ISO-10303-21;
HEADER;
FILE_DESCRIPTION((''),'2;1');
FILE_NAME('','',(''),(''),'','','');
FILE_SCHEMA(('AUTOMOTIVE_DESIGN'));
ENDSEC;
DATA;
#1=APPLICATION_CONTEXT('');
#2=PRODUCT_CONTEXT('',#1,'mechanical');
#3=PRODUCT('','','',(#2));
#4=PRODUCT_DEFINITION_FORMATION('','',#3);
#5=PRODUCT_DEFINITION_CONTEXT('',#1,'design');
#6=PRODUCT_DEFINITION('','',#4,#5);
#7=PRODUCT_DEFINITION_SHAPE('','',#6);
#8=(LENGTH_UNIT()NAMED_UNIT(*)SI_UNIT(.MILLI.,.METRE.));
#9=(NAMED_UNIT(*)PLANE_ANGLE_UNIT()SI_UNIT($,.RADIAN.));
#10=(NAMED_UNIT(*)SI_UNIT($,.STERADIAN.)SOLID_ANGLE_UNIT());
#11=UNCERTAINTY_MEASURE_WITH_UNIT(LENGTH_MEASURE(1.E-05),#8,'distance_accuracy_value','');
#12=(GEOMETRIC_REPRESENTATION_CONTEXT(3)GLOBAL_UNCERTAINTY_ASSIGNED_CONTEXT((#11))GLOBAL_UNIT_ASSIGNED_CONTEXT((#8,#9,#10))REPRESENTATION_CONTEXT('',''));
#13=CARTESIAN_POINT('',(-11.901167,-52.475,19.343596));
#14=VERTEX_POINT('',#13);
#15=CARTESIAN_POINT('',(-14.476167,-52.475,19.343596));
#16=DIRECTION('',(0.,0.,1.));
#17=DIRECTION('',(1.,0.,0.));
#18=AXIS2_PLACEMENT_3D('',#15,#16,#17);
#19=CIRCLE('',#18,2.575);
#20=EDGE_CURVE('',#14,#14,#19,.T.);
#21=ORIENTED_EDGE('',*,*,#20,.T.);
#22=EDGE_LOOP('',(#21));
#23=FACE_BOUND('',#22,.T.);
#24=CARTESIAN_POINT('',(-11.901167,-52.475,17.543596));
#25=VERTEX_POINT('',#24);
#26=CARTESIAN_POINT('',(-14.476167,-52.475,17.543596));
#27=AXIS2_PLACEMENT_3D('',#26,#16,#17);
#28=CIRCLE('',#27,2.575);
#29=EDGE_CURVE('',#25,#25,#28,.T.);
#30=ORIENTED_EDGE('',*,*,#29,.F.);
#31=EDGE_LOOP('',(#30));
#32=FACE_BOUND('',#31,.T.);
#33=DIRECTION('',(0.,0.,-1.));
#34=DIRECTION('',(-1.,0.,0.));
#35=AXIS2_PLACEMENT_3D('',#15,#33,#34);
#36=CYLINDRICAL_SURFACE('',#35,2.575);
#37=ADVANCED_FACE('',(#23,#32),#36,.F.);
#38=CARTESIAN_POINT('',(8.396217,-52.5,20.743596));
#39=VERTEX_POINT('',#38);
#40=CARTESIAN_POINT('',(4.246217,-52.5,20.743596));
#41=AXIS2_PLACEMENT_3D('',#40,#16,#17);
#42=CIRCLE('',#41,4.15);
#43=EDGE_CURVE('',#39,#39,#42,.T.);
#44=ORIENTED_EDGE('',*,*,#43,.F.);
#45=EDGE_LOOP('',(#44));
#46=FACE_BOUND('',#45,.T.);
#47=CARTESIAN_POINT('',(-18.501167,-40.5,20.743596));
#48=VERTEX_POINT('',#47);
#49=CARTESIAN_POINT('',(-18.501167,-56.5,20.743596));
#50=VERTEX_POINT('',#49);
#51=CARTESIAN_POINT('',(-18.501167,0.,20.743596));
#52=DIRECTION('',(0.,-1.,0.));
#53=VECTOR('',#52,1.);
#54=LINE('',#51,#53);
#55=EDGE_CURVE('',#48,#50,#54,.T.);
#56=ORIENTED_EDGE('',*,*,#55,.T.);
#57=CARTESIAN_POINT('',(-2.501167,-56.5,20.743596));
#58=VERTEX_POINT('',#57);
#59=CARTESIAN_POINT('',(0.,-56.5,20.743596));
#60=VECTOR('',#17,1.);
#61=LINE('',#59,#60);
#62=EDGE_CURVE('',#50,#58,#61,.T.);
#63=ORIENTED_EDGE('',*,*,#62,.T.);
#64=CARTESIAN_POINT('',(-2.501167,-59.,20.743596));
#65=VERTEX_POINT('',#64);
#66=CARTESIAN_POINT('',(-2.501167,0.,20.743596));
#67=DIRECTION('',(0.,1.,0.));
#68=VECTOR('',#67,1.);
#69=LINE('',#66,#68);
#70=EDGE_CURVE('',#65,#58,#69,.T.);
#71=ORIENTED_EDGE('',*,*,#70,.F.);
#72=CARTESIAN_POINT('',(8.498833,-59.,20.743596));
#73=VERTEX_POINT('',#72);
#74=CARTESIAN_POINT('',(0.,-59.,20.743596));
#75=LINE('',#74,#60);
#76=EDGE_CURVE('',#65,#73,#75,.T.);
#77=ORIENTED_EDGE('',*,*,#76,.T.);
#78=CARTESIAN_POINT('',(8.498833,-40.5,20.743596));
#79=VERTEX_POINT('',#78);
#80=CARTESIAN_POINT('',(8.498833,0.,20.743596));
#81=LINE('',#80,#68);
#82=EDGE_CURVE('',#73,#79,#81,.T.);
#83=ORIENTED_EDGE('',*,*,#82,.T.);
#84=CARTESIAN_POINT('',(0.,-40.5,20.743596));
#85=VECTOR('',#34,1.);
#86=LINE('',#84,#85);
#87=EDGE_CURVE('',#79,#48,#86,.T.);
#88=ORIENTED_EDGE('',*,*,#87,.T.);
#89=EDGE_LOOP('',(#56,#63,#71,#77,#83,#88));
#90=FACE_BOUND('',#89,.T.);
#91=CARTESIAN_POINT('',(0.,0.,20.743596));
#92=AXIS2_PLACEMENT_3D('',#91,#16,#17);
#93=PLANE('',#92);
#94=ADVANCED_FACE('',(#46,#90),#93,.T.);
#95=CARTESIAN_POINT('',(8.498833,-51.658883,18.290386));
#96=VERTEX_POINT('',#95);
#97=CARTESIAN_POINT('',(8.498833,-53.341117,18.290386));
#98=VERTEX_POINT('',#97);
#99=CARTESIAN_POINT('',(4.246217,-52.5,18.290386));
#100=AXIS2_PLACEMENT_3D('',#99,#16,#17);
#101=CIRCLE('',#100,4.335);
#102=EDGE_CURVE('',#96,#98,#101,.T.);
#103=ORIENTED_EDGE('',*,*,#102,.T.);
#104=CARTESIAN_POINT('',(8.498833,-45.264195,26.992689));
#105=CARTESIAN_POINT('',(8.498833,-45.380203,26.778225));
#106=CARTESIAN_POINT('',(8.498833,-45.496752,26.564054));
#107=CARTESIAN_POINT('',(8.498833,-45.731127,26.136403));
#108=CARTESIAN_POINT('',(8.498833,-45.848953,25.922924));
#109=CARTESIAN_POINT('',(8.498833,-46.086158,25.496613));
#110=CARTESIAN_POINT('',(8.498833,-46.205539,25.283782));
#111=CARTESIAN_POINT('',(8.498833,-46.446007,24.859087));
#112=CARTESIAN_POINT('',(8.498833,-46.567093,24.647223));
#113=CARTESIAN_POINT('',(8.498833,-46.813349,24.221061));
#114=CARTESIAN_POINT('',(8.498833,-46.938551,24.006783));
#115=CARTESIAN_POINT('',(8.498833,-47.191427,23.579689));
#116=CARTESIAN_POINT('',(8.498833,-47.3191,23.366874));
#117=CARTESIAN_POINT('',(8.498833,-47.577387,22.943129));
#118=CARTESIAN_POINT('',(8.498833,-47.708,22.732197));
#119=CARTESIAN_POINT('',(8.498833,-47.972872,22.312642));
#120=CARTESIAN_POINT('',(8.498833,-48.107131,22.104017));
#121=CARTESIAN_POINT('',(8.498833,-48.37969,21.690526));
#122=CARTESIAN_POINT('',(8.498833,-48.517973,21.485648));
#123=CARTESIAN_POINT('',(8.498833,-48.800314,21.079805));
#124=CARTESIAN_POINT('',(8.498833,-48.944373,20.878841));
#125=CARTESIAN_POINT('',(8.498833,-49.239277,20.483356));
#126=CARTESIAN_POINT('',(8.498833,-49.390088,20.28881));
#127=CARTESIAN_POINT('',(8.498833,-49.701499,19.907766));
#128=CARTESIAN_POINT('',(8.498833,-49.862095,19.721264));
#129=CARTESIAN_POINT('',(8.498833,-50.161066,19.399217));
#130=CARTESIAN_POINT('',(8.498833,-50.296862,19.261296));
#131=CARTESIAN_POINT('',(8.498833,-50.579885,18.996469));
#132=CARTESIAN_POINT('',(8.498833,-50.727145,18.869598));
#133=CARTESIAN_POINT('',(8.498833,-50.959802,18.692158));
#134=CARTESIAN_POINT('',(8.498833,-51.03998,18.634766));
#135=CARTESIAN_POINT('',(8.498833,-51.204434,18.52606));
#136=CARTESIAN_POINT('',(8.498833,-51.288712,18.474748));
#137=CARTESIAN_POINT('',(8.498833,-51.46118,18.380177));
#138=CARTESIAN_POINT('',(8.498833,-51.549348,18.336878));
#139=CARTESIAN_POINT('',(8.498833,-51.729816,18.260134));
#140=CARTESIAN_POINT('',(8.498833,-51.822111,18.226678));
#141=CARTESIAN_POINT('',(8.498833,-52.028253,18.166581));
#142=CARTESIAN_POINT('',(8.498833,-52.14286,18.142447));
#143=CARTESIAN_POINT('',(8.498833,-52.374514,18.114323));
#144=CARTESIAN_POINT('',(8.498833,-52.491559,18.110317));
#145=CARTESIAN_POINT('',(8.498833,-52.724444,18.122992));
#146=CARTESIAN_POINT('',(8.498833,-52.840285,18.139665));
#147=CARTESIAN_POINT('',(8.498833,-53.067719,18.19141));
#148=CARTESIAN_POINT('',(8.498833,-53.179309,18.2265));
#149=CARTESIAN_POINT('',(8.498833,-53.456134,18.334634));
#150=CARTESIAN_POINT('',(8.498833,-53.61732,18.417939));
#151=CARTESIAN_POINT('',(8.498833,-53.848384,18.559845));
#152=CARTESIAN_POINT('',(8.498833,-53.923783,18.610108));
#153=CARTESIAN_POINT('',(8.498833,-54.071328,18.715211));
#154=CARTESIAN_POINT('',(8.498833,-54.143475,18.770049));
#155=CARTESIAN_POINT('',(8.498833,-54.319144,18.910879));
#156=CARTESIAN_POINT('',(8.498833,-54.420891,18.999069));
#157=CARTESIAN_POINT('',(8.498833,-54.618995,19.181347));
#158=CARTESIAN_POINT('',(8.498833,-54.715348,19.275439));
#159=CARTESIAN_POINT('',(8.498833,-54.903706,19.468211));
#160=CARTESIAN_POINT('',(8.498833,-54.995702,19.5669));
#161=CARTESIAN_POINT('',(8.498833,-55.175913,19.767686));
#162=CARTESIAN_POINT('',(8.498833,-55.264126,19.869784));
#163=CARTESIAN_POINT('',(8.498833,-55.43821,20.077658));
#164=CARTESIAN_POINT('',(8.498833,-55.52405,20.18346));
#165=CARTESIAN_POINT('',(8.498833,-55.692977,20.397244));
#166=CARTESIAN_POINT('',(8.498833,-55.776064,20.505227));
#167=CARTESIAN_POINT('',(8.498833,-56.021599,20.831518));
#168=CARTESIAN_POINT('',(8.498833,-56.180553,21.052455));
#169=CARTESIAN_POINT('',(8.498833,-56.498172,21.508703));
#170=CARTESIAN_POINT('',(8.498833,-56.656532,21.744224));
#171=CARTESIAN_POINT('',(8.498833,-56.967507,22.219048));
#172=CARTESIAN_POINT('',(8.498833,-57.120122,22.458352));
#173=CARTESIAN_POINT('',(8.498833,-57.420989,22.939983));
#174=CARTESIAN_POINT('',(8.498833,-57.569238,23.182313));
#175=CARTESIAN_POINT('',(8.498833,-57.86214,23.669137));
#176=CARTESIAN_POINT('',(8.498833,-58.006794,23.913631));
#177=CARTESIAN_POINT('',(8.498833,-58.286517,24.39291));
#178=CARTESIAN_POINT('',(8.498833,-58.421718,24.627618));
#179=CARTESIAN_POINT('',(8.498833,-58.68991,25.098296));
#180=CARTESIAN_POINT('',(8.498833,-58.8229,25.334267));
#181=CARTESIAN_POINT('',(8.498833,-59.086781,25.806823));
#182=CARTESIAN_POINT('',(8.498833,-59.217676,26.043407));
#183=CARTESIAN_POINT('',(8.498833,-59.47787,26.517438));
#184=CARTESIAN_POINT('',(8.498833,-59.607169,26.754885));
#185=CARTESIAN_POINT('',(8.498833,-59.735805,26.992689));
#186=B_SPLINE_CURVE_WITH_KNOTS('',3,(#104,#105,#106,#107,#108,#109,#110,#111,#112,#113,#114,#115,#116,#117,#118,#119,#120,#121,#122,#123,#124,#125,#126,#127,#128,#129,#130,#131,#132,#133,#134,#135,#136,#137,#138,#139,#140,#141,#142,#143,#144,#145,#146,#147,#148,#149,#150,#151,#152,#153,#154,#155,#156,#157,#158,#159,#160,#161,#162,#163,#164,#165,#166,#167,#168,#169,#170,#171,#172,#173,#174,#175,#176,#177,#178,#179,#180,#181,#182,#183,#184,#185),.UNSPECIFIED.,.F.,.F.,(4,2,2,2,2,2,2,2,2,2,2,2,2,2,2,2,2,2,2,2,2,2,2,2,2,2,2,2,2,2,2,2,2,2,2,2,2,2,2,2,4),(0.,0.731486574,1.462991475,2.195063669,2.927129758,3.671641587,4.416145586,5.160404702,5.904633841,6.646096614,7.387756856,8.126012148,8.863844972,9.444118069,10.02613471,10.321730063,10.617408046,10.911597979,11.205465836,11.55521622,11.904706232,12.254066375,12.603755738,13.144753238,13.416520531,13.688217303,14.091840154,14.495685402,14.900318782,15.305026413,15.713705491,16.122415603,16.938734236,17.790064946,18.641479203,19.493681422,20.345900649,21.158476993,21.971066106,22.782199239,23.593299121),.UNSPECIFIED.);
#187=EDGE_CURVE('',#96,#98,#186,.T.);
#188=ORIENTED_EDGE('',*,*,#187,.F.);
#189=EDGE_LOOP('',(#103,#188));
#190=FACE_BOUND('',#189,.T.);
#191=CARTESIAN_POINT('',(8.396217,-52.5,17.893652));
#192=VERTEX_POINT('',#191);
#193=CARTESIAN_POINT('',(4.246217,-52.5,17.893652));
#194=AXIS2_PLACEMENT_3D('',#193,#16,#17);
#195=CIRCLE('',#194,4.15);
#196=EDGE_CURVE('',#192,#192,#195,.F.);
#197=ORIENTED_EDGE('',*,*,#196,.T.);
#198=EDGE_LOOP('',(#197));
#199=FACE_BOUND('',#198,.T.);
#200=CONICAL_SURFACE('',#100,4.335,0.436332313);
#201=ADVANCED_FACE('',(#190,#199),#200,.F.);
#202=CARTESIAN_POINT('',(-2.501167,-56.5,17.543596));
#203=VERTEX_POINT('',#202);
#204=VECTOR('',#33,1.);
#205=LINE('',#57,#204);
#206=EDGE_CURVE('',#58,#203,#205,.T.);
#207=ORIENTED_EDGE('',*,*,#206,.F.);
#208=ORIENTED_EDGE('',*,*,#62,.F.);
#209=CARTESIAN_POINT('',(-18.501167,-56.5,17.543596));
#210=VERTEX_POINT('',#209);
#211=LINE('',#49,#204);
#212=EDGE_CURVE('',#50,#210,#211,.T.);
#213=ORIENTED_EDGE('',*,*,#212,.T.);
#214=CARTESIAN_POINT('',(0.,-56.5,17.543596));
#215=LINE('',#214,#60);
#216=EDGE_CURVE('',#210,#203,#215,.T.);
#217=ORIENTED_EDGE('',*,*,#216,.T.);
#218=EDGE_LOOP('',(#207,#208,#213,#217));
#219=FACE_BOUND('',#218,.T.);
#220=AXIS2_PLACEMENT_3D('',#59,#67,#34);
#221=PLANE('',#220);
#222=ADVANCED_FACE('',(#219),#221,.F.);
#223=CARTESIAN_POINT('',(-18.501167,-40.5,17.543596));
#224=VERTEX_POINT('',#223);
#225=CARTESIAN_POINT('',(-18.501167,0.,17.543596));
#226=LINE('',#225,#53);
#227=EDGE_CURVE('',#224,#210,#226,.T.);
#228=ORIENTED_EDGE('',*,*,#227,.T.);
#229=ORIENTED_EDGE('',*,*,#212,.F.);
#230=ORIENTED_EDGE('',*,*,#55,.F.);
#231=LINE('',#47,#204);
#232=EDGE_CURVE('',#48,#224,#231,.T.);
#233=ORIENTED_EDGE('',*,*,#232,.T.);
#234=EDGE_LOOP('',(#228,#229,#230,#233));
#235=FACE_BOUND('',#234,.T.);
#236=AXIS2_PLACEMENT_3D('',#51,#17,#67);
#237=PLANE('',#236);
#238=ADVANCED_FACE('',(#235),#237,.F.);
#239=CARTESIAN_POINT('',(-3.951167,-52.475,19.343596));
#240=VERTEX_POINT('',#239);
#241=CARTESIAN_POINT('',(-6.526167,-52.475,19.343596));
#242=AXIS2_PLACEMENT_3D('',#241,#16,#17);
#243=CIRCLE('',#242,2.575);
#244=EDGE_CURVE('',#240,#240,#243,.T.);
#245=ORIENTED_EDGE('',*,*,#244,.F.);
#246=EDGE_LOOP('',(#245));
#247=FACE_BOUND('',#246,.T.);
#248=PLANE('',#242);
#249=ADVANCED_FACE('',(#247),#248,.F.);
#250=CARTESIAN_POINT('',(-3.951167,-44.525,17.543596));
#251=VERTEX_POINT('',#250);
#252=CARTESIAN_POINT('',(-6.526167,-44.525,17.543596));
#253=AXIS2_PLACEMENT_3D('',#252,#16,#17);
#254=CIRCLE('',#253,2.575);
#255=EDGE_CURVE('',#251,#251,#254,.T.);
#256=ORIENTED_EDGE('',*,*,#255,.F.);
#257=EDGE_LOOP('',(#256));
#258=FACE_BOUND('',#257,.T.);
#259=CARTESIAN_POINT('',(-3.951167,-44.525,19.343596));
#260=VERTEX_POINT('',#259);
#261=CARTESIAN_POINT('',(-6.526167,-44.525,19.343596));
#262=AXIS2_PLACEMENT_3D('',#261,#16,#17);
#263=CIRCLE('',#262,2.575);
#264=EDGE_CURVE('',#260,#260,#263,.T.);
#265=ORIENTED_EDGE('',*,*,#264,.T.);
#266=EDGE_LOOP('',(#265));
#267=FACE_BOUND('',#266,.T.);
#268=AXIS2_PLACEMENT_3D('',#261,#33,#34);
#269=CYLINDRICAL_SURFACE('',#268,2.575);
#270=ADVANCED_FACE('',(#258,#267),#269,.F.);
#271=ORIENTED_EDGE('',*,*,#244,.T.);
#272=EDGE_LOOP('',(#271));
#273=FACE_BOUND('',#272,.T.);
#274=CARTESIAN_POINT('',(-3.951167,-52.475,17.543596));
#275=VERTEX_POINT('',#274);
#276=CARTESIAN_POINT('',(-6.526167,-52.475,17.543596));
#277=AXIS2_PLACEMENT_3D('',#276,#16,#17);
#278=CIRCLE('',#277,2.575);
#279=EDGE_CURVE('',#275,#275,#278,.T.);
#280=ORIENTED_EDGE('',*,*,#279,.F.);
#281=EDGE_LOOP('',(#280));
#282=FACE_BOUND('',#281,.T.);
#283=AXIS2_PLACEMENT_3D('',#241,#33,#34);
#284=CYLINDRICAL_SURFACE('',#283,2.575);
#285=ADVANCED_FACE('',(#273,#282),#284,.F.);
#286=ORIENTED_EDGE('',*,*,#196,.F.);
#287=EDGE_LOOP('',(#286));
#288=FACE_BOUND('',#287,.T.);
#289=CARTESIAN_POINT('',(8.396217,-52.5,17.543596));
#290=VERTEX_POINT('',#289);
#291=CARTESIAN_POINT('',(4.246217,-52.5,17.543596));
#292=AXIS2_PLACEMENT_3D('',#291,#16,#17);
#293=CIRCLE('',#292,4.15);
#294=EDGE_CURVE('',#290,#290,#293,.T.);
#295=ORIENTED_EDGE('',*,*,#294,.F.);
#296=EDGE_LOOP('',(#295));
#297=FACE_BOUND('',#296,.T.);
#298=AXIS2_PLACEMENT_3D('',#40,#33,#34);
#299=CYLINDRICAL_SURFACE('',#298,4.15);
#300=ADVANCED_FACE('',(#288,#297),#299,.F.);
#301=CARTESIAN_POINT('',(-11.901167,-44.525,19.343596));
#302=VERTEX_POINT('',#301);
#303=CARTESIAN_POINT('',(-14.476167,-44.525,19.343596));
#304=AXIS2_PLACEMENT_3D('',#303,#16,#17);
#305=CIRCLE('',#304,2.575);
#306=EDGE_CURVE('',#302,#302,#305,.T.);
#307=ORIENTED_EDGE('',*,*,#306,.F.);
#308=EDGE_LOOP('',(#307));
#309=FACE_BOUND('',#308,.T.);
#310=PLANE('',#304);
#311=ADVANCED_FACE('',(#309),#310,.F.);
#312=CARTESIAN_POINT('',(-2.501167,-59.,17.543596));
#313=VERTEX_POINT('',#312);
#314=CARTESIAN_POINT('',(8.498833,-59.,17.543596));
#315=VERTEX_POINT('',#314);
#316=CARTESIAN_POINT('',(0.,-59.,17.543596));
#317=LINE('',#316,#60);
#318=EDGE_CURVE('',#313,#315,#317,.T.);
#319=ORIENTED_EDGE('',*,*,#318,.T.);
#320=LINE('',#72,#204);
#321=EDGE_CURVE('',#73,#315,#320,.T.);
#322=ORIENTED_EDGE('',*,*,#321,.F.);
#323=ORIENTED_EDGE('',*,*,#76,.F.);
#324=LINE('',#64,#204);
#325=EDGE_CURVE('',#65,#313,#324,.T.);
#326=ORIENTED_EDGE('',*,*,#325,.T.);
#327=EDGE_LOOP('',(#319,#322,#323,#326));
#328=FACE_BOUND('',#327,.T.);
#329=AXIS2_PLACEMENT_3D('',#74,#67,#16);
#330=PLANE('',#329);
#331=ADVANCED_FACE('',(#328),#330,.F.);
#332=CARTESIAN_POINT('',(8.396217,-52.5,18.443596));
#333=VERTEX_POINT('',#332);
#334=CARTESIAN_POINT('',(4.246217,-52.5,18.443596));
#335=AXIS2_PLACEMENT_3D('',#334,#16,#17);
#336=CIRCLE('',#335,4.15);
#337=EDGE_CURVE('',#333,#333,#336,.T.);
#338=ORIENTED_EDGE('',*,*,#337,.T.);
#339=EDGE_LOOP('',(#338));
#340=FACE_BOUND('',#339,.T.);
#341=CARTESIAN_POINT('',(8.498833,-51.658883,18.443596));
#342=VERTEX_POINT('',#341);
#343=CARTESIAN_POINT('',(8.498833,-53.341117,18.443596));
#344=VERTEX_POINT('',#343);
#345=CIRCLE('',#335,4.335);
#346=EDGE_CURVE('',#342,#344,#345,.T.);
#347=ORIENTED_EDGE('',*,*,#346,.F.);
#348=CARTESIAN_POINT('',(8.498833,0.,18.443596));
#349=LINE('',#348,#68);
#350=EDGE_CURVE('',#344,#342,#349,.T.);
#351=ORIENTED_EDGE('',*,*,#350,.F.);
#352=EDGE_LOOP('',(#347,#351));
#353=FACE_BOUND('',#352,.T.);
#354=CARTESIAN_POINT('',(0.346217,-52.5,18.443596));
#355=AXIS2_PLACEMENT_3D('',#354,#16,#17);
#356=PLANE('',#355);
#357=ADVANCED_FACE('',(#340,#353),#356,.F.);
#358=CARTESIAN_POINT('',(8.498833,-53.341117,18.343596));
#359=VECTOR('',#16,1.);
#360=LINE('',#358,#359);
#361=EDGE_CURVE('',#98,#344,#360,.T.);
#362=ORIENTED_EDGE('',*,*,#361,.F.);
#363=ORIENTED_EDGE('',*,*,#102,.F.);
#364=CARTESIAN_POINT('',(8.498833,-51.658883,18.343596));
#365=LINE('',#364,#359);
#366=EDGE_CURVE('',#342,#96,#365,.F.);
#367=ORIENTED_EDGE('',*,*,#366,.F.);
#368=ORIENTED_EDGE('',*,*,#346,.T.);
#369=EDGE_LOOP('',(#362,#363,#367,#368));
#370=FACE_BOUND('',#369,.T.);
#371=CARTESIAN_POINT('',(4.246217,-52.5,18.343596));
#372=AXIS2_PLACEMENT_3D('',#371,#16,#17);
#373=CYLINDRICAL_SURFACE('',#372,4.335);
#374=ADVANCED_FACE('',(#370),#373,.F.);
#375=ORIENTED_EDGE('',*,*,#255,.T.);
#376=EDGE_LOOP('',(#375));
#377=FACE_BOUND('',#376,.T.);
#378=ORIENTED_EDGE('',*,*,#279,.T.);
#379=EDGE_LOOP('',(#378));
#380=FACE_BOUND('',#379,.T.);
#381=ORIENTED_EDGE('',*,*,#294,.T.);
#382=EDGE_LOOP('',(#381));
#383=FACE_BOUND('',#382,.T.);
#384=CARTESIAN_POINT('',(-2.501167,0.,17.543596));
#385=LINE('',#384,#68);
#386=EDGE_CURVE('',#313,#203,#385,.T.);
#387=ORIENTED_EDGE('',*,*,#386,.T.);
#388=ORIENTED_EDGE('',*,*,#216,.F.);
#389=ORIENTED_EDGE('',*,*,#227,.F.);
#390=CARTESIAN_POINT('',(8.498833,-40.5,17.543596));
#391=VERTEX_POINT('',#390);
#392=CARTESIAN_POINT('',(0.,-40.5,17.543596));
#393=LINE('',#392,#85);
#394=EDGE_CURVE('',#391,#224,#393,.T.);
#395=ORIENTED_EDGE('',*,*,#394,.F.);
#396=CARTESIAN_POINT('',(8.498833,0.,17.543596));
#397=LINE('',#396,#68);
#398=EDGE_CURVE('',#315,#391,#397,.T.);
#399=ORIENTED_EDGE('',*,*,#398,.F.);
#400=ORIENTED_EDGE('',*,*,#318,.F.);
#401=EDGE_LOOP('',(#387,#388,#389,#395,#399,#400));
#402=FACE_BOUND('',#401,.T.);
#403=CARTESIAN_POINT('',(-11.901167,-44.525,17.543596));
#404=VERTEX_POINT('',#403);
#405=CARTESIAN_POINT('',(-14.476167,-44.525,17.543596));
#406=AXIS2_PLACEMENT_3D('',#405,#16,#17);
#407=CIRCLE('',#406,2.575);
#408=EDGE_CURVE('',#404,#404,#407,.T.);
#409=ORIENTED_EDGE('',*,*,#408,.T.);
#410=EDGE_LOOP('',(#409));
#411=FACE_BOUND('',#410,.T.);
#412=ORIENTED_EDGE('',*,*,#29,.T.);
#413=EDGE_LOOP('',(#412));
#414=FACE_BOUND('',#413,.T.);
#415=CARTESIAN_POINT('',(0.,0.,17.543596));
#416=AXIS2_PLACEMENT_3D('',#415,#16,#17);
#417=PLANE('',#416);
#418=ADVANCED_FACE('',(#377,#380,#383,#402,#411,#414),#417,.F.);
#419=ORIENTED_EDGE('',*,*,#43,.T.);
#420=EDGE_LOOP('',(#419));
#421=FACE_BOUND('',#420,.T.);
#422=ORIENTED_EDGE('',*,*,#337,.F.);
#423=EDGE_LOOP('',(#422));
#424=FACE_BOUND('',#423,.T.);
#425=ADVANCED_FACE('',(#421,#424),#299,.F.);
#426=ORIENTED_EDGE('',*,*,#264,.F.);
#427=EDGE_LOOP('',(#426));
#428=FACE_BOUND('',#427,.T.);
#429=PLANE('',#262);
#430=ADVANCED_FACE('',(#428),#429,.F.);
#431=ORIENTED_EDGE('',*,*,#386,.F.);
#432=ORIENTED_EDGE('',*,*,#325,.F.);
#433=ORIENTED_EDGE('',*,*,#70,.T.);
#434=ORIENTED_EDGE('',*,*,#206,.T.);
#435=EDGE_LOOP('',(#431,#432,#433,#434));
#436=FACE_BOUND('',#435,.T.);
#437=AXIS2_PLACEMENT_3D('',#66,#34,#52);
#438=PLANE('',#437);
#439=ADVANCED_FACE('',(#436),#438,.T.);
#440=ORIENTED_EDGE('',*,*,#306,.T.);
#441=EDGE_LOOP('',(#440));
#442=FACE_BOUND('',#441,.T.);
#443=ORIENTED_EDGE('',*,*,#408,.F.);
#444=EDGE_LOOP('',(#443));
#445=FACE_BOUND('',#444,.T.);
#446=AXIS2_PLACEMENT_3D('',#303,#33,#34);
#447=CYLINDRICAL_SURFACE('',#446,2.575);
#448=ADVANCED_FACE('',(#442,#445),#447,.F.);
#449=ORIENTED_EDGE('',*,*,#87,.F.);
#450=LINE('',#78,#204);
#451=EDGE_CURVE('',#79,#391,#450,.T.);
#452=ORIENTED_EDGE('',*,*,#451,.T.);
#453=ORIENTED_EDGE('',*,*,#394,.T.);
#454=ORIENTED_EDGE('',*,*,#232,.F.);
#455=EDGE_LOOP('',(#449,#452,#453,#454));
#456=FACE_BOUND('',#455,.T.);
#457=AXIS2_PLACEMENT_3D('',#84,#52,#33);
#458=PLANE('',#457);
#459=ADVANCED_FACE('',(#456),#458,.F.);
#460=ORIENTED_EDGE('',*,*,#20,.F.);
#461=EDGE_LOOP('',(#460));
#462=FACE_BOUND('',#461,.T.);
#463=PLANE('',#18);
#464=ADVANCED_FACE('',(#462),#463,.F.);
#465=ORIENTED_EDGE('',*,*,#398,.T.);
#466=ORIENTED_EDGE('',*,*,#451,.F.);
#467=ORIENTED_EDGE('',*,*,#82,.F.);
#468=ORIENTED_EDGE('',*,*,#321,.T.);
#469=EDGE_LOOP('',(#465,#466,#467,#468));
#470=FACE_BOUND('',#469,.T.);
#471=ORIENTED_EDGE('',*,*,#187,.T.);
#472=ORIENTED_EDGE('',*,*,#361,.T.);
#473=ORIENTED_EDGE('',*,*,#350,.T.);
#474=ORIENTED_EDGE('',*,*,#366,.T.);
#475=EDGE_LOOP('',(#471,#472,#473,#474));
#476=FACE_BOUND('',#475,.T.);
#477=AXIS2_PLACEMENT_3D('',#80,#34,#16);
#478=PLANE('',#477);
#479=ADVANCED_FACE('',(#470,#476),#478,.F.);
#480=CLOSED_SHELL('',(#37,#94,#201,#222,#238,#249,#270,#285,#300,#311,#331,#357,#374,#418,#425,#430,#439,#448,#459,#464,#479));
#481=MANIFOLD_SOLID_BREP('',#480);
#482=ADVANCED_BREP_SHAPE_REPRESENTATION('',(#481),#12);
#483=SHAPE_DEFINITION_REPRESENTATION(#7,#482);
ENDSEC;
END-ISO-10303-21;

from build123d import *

# Parameters (mm, degrees)
SKETCH1_R           = 4.15
BOSS_EXTRUDE1_DEPTH = 3.2
SKETCH1_3_R         = 2.575
CUT_EXTRUDE1_DEPTH  = 1.8


with BuildPart() as part:
    # Sketch1 → Boss-Extrude1 (new body)
    with BuildSketch(Plane.XY.offset(17.54359624)):
        Polygon((8.498833186, -40.5), (-18.501166814, -40.5), (-18.501166814, -56.5), (-2.501166814, -56.5), (-2.501166814, -59), (8.498833186, -59), align=None)
        with Locations((4.246216621, -52.5)):
            Circle(SKETCH1_R, mode=Mode.SUBTRACT)
    extrude(amount=BOSS_EXTRUDE1_DEPTH)

    # Sketch2 → Cut-Revolve1 (revolve, cut)
    with BuildSketch(Plane(origin=(4.246216621, -52.5, 15.44359624), x_dir=(1, 0, 0), z_dir=(0, 1, 0))):
        Polygon((-3.899999957, -1.91392917), (-3.899999957, -3), (-4.335, -3), (-4.335, -2.846789772), align=None)
    revolve(axis=Axis((4.246216621, -52.5, 18.34359624), (0, 0, -1)), mode=Mode.SUBTRACT)

    # Sketch1<3> → Cut-Extrude1 (cut)
    with BuildSketch(Plane.XY.offset(17.54359624)):
        with Locations((-14.476166814, -44.525)):
            Circle(SKETCH1_3_R)
        with Locations((-6.526166814, -44.525)):
            Circle(SKETCH1_3_R)
        with Locations((-6.526166814, -52.475)):
            Circle(SKETCH1_3_R)
        with Locations((-14.476166814, -52.475)):
            Circle(SKETCH1_3_R)
    extrude(amount=CUT_EXTRUDE1_DEPTH, mode=Mode.SUBTRACT)


solid = part.part
